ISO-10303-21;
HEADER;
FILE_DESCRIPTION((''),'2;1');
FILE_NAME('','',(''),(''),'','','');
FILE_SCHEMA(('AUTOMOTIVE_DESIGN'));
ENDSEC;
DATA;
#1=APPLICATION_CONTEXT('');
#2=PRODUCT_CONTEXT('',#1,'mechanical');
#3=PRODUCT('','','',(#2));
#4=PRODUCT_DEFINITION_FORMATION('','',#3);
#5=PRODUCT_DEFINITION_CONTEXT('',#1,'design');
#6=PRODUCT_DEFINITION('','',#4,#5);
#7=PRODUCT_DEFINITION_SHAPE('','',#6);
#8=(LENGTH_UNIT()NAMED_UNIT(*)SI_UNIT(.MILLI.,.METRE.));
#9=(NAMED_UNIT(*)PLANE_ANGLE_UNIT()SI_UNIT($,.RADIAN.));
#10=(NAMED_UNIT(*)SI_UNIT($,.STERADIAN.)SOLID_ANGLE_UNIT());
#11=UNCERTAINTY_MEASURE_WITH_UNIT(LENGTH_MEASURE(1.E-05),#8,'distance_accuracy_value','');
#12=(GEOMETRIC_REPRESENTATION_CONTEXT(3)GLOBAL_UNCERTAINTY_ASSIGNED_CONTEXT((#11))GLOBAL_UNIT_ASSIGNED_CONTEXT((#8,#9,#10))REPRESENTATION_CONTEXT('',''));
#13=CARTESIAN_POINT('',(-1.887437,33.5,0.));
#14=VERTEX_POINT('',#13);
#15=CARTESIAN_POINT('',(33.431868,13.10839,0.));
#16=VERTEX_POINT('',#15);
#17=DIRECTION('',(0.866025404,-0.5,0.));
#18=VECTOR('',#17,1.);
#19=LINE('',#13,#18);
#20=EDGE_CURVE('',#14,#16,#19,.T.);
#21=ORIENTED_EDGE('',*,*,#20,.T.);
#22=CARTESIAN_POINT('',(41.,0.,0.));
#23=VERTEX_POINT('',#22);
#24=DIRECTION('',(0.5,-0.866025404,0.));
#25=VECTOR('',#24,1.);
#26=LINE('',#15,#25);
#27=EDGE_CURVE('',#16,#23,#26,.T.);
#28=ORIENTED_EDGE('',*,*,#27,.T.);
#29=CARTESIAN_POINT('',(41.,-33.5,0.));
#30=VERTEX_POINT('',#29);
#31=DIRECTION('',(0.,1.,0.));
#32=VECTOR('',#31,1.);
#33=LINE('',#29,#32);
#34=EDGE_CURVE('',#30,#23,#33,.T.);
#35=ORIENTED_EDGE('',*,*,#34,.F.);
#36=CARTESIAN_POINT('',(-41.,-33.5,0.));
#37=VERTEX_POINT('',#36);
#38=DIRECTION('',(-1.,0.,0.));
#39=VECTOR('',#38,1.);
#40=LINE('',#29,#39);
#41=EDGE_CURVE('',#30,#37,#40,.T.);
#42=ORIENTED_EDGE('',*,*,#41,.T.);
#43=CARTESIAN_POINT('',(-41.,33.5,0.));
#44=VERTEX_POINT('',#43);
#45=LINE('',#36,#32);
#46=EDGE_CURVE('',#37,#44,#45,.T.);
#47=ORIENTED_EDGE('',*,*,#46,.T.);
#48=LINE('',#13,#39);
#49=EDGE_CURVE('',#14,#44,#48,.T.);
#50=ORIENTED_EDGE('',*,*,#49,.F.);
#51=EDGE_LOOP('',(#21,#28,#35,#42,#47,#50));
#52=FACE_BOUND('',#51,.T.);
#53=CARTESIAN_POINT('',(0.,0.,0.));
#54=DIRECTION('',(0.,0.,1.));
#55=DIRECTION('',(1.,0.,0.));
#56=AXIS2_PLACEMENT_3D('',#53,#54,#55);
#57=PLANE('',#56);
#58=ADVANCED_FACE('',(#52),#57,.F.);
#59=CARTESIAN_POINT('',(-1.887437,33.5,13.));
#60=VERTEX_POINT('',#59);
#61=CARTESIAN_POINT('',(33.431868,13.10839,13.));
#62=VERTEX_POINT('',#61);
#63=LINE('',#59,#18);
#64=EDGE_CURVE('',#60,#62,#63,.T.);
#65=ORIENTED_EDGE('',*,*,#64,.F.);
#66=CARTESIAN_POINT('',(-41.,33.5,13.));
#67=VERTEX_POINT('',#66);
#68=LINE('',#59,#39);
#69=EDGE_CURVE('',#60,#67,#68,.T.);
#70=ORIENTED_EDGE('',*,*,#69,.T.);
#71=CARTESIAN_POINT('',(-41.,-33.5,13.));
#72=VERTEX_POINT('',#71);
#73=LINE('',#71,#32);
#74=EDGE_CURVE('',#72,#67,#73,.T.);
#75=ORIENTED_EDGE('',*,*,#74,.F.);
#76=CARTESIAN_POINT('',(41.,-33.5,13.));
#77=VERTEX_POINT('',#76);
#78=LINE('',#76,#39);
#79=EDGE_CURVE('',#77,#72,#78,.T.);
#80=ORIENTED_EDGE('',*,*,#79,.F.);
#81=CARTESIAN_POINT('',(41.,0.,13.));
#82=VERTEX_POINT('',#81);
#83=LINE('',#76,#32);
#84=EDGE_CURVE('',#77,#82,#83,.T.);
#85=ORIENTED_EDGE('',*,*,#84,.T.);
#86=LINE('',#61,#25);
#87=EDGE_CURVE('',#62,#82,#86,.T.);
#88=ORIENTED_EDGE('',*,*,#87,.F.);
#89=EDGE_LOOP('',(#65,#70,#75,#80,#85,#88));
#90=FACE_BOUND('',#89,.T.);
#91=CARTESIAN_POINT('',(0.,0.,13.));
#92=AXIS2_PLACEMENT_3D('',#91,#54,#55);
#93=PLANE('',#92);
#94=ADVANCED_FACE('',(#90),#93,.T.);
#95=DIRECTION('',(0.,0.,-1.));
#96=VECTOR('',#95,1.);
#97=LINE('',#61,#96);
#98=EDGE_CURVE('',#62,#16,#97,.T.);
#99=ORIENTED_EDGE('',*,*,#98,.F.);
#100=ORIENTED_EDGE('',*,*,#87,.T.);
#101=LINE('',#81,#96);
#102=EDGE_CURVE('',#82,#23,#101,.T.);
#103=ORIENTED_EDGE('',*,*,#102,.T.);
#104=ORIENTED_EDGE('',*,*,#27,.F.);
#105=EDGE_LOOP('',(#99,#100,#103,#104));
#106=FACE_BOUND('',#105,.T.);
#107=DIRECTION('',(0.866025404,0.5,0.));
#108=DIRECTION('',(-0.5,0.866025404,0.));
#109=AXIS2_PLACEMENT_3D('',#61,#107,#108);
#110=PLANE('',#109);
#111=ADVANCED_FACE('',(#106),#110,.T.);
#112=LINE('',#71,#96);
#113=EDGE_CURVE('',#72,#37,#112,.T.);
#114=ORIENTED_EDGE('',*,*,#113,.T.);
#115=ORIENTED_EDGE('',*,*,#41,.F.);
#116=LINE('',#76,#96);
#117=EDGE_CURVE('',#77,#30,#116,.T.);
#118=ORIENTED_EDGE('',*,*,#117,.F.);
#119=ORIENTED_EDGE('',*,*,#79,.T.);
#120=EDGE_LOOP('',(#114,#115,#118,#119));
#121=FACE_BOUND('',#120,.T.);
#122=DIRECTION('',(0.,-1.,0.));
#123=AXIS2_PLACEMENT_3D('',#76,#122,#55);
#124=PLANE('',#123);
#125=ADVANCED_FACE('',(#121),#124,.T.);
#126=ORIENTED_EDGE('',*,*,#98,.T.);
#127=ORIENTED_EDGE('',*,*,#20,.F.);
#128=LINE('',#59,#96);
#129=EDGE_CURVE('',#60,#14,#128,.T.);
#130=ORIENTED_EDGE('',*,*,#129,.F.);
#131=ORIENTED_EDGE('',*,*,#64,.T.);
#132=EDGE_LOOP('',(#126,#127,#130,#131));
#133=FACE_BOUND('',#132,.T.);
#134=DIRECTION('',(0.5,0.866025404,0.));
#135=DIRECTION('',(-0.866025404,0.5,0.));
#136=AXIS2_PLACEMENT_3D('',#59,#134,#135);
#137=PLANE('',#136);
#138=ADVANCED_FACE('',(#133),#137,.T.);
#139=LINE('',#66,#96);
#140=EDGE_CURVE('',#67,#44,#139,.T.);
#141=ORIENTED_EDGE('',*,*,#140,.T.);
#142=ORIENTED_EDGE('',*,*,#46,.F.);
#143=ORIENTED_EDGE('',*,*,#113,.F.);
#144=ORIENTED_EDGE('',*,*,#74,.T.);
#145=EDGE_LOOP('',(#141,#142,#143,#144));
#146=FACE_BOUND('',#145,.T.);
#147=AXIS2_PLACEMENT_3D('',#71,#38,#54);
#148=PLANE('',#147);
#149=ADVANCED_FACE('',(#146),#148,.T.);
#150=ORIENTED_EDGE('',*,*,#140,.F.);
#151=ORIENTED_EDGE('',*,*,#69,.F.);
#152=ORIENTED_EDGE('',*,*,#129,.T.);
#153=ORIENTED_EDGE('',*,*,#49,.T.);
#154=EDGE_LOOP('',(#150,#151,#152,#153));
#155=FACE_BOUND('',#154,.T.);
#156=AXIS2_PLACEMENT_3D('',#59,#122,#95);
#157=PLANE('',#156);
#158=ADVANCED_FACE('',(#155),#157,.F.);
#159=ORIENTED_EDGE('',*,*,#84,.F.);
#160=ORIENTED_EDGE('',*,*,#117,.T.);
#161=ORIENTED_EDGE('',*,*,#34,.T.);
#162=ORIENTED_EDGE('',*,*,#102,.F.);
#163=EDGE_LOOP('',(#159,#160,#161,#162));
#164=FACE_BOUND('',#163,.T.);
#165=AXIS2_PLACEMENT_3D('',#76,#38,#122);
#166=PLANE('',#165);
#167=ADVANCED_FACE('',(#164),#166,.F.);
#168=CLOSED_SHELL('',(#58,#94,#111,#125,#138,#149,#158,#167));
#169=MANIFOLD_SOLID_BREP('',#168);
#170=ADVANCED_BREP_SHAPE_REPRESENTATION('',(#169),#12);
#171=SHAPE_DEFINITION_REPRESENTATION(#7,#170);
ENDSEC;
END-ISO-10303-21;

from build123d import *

# Parameters (mm, degrees)
SALIENTE_EXTRUIR1_DEPTH = 13


with BuildPart() as part:
    # Croquis1 → Saliente-Extruir1 (new body)
    with BuildSketch(Plane.XY):
        Polygon((41, -33.5), (-41, -33.5), (-41, 33.5), (-1.887437205, 33.5), (33.431867576, 13.108389878), (41, 0), align=None)
    extrude(amount=SALIENTE_EXTRUIR1_DEPTH)


solid = part.part
